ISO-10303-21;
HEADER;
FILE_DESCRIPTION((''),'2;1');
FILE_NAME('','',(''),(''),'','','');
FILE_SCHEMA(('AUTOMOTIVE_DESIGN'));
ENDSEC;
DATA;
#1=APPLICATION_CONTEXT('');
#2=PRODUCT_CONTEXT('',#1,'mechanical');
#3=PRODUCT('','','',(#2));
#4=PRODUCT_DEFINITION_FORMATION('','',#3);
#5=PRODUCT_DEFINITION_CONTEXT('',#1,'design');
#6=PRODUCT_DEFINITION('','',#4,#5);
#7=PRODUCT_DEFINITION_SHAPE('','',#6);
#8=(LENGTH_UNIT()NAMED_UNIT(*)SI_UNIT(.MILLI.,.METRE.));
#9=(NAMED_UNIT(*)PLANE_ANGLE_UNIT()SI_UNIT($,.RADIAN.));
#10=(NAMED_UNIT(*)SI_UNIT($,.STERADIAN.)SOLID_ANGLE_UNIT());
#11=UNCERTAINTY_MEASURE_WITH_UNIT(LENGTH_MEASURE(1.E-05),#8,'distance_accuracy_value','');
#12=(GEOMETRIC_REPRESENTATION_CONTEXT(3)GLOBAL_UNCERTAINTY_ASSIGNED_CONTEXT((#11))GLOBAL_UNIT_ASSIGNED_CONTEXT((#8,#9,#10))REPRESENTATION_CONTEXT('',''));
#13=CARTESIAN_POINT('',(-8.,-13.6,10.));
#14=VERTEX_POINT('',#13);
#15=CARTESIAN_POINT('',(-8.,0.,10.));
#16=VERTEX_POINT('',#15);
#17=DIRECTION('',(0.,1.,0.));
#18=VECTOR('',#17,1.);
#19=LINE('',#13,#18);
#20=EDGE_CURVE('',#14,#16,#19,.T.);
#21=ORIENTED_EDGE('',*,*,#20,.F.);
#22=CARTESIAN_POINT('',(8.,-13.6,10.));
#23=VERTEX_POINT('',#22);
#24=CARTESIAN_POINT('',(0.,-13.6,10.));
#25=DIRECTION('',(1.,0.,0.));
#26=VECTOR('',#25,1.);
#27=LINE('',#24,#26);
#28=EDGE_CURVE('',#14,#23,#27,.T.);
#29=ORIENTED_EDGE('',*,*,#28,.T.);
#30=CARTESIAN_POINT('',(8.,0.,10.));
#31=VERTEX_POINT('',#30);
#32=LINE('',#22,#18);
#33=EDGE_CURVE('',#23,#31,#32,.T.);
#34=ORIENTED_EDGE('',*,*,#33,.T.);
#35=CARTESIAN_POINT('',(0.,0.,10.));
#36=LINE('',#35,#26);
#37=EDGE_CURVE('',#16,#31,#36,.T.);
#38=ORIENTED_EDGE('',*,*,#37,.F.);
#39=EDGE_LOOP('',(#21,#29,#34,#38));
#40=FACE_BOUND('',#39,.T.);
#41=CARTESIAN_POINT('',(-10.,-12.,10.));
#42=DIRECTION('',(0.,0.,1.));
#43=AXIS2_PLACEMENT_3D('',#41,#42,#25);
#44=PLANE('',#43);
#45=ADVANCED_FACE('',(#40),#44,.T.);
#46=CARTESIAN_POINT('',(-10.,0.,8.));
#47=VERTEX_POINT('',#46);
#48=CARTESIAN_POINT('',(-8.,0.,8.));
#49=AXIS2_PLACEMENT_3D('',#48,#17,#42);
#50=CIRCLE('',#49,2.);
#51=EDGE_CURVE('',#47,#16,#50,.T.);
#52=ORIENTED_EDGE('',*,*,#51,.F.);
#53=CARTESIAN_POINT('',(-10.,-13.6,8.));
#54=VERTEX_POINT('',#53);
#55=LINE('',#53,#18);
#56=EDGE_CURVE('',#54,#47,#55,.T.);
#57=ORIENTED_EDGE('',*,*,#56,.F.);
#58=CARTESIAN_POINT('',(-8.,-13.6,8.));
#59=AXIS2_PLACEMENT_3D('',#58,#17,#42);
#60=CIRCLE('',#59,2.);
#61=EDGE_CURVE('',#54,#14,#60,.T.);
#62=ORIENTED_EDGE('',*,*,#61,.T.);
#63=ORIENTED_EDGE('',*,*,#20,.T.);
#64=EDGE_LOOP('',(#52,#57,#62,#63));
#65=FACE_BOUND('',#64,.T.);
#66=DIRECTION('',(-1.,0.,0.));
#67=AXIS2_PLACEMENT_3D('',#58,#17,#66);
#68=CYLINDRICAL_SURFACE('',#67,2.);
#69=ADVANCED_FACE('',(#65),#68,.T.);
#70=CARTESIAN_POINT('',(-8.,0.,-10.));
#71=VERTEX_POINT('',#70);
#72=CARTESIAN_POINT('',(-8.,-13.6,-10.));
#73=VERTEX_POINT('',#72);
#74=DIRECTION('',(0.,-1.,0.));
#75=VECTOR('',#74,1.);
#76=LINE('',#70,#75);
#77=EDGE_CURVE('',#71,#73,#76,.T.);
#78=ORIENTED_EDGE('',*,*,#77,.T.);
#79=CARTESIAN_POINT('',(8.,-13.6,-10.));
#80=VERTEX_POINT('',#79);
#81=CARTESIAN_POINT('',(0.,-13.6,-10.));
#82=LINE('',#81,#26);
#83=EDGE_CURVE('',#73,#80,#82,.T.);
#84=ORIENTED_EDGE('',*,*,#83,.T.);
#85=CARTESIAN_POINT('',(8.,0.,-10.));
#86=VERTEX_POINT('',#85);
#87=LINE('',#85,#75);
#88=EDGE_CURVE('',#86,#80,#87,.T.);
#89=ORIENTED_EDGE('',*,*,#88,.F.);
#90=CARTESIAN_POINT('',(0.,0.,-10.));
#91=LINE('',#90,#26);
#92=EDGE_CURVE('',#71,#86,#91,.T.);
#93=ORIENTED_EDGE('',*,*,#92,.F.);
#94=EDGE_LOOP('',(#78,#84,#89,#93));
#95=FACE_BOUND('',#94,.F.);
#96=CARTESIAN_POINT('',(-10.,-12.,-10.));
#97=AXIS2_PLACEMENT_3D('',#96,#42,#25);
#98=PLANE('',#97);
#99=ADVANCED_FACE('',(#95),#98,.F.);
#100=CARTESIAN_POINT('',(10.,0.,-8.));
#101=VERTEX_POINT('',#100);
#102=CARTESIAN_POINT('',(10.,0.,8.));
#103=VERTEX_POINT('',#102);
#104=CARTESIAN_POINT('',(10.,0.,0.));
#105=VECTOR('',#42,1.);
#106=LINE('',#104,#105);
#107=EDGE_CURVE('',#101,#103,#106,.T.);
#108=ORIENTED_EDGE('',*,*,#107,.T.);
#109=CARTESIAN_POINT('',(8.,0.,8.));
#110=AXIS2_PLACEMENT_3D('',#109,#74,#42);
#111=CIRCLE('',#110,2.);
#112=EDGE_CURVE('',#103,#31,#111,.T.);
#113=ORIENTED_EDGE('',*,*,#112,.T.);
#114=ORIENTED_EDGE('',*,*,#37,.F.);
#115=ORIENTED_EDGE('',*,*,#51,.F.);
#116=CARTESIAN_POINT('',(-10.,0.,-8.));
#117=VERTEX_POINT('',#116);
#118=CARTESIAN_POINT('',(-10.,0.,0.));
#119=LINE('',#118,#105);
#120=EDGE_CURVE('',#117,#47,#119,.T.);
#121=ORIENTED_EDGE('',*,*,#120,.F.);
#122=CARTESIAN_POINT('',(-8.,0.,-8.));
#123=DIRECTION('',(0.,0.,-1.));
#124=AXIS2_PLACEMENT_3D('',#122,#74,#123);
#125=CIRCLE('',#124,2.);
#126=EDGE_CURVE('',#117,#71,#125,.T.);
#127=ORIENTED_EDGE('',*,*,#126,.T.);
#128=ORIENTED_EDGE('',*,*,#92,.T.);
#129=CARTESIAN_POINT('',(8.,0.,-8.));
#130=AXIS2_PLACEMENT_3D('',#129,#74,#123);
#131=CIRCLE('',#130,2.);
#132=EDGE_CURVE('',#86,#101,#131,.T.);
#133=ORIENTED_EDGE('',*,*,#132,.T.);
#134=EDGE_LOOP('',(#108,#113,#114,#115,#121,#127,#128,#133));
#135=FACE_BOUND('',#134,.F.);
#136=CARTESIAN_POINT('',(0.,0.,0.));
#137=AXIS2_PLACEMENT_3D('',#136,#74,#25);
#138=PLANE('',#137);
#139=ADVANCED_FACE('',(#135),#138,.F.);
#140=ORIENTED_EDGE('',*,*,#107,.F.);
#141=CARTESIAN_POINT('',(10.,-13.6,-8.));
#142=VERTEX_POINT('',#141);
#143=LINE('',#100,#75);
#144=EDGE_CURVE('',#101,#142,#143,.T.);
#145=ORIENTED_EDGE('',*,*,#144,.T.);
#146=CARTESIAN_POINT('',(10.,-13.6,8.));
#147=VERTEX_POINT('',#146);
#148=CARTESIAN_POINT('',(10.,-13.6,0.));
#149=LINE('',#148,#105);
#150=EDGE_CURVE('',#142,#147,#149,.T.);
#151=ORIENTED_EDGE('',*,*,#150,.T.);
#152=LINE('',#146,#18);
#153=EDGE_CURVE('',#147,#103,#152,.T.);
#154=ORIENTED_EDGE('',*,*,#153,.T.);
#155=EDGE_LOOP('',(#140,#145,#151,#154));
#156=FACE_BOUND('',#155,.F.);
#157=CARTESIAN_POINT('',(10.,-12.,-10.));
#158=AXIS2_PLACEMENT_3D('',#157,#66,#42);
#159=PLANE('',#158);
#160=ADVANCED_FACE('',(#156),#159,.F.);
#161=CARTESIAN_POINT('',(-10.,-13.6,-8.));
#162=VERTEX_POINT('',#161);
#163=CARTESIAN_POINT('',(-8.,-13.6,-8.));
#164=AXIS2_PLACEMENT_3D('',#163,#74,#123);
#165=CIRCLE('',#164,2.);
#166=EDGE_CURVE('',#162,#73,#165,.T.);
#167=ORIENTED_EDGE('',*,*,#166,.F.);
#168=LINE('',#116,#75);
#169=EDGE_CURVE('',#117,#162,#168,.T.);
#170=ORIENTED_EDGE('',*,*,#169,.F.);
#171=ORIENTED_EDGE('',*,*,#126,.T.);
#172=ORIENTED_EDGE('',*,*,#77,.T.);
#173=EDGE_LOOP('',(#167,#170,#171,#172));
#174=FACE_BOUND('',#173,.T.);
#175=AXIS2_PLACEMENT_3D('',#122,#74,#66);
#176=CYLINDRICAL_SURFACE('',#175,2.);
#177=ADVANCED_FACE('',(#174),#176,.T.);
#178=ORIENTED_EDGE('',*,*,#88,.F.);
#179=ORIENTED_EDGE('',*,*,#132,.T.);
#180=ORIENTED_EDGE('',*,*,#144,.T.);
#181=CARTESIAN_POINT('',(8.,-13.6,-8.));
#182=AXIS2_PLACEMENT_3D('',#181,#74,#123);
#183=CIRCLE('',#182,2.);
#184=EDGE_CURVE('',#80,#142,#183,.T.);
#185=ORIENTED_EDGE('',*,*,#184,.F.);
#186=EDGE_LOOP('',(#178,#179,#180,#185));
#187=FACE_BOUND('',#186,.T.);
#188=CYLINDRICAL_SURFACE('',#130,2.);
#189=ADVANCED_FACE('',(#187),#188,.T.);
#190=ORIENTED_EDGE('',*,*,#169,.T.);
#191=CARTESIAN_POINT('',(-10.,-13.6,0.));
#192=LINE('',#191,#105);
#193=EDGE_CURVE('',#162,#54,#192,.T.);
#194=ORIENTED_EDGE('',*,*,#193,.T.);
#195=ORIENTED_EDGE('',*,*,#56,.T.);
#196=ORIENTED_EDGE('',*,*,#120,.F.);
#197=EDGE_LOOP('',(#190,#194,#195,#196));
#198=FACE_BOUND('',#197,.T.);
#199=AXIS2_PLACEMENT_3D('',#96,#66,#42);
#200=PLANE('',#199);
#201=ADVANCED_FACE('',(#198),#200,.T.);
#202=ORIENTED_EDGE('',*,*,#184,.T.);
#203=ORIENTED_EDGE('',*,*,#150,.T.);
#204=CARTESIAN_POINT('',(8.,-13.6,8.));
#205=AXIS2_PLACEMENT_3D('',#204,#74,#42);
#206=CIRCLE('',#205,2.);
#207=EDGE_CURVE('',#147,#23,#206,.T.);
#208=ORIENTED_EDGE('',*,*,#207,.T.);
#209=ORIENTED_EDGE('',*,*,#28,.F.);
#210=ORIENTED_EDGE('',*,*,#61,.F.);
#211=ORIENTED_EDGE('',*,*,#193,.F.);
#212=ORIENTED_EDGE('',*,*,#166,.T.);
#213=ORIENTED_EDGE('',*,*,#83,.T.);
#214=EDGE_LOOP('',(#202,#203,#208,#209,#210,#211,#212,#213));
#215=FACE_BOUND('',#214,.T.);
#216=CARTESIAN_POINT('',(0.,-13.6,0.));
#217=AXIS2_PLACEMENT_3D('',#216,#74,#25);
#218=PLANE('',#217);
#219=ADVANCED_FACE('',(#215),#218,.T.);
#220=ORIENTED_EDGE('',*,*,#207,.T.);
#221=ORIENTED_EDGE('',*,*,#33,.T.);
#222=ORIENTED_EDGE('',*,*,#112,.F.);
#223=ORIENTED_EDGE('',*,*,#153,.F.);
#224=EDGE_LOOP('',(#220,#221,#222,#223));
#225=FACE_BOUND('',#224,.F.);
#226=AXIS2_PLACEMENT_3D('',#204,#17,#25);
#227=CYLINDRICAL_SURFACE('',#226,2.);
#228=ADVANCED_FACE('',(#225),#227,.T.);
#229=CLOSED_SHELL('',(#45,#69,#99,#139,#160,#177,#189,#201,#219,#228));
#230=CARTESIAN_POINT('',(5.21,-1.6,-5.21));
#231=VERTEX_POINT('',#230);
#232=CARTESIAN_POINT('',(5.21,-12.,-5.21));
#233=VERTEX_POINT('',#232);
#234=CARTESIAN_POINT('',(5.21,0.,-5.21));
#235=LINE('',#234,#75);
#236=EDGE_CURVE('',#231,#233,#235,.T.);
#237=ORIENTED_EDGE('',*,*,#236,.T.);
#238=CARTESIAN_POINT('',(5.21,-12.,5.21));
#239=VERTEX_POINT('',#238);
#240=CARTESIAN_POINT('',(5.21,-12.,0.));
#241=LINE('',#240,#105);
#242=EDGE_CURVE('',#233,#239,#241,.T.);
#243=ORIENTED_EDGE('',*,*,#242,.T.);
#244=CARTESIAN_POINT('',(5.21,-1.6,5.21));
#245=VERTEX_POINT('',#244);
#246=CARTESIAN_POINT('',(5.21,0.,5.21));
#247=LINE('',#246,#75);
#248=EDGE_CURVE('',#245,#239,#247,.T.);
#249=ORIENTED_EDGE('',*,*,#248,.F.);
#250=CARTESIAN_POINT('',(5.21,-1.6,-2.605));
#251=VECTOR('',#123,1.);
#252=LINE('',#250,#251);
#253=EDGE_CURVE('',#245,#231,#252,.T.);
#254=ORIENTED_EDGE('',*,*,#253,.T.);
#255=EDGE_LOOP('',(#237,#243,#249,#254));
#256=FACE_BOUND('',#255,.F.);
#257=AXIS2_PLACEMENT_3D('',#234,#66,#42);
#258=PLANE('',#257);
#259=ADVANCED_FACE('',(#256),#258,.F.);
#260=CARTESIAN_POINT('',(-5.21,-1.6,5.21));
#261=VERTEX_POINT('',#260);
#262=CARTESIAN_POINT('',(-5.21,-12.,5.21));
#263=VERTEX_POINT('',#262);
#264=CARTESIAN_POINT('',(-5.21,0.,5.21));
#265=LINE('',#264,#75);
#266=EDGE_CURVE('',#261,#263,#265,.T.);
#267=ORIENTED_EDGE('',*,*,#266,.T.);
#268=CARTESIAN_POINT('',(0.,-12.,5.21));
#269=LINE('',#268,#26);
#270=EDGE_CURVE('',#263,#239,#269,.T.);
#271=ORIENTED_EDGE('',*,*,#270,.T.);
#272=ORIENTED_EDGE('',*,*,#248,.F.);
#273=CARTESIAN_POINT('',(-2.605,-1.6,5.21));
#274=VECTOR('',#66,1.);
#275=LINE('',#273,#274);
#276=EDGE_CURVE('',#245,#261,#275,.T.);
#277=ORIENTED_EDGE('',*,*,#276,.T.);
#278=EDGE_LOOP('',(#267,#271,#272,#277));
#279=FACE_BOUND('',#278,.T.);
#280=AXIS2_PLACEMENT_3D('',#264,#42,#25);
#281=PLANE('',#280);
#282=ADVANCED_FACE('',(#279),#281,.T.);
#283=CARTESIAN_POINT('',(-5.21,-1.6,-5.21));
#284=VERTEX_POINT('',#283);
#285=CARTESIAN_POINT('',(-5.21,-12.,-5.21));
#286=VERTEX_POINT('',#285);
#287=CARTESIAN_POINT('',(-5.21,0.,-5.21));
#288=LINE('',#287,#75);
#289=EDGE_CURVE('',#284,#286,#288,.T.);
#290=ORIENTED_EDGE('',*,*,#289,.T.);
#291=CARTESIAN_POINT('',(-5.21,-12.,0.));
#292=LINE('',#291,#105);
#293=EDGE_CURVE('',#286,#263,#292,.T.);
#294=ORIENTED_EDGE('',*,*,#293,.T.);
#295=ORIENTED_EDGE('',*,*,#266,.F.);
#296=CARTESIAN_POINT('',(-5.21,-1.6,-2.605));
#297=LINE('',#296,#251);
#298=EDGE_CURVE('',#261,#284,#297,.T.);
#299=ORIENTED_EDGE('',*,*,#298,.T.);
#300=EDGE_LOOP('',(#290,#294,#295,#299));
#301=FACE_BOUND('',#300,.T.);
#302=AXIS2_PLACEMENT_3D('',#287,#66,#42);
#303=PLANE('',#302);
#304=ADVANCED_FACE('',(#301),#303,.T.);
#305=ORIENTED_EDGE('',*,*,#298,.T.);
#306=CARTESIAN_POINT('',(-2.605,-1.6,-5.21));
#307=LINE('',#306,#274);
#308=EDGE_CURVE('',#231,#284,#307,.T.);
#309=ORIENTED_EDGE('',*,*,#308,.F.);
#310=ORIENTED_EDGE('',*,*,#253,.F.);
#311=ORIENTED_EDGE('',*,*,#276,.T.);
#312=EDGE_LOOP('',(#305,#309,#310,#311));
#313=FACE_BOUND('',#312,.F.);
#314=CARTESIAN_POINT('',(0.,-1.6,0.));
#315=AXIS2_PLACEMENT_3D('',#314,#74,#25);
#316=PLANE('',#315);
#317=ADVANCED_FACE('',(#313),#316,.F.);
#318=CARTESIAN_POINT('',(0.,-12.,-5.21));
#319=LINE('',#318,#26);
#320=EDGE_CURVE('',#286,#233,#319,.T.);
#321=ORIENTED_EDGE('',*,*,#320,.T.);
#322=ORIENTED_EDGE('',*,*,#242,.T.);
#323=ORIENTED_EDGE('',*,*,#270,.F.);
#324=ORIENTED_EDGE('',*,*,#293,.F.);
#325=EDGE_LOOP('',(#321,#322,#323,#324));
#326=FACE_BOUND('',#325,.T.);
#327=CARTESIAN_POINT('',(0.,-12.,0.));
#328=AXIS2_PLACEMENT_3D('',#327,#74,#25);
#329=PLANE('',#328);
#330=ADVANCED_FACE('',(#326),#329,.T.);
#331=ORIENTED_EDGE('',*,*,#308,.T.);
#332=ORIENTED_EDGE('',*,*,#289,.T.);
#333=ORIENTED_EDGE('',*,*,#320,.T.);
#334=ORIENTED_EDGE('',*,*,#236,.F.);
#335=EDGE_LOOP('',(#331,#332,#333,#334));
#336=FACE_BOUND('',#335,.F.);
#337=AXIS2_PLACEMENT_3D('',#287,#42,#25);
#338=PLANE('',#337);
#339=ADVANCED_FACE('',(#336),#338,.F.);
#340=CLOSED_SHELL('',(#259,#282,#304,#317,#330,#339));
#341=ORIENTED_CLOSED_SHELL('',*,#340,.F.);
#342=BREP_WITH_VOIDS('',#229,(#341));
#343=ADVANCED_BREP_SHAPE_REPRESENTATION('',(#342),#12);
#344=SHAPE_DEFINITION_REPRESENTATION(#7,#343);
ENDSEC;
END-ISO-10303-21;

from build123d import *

# Parameters (mm, degrees)
F0_W     = 20
F0_H     = 20
F0_W_2   = 10.42
F0_H_2   = 10.42
F1_DEPTH = 1.6
F2_DEPTH = 12
F3_W     = 20
F3_H     = 20
F3_W_2   = 10.42
F3_H_2   = 10.42
F4_DEPTH = 1.6
F5_R     = 2


with BuildPart() as f1:
    # F0 (on Front) → F1 (new body)
    with BuildSketch(Plane.XZ):
        Rectangle(F0_W, F0_H)
        Rectangle(F0_W_2, F0_H_2, mode=Mode.SUBTRACT)
        Rectangle(F0_W_2, F0_H_2)
    extrude(amount=F1_DEPTH)

    # F0 (on Front) → F2 (join)
    with BuildSketch(Plane.XZ):
        Rectangle(F0_W, F0_H)
        Rectangle(F0_W_2, F0_H_2, mode=Mode.SUBTRACT)
    extrude(amount=F2_DEPTH)

    # F3 (on face) → F4 (join)
    with BuildSketch(Plane.XZ.offset(12)):
        Rectangle(F3_W, F3_H)
        Rectangle(F3_W_2, F3_H_2, mode=Mode.SUBTRACT)
        Rectangle(F3_W_2, F3_H_2)
    extrude(amount=F4_DEPTH)

    # F5
    f5_edges = [f1.edges().sort_by_distance(p)[0] for p in [
        (-10, -6.8, -10),
        (10, -6.8, -10),
        (10, -6.8, 10),
        (-10, -6.8, 10),
    ]]
    fillet(f5_edges, radius=F5_R)


solid = f1.part
